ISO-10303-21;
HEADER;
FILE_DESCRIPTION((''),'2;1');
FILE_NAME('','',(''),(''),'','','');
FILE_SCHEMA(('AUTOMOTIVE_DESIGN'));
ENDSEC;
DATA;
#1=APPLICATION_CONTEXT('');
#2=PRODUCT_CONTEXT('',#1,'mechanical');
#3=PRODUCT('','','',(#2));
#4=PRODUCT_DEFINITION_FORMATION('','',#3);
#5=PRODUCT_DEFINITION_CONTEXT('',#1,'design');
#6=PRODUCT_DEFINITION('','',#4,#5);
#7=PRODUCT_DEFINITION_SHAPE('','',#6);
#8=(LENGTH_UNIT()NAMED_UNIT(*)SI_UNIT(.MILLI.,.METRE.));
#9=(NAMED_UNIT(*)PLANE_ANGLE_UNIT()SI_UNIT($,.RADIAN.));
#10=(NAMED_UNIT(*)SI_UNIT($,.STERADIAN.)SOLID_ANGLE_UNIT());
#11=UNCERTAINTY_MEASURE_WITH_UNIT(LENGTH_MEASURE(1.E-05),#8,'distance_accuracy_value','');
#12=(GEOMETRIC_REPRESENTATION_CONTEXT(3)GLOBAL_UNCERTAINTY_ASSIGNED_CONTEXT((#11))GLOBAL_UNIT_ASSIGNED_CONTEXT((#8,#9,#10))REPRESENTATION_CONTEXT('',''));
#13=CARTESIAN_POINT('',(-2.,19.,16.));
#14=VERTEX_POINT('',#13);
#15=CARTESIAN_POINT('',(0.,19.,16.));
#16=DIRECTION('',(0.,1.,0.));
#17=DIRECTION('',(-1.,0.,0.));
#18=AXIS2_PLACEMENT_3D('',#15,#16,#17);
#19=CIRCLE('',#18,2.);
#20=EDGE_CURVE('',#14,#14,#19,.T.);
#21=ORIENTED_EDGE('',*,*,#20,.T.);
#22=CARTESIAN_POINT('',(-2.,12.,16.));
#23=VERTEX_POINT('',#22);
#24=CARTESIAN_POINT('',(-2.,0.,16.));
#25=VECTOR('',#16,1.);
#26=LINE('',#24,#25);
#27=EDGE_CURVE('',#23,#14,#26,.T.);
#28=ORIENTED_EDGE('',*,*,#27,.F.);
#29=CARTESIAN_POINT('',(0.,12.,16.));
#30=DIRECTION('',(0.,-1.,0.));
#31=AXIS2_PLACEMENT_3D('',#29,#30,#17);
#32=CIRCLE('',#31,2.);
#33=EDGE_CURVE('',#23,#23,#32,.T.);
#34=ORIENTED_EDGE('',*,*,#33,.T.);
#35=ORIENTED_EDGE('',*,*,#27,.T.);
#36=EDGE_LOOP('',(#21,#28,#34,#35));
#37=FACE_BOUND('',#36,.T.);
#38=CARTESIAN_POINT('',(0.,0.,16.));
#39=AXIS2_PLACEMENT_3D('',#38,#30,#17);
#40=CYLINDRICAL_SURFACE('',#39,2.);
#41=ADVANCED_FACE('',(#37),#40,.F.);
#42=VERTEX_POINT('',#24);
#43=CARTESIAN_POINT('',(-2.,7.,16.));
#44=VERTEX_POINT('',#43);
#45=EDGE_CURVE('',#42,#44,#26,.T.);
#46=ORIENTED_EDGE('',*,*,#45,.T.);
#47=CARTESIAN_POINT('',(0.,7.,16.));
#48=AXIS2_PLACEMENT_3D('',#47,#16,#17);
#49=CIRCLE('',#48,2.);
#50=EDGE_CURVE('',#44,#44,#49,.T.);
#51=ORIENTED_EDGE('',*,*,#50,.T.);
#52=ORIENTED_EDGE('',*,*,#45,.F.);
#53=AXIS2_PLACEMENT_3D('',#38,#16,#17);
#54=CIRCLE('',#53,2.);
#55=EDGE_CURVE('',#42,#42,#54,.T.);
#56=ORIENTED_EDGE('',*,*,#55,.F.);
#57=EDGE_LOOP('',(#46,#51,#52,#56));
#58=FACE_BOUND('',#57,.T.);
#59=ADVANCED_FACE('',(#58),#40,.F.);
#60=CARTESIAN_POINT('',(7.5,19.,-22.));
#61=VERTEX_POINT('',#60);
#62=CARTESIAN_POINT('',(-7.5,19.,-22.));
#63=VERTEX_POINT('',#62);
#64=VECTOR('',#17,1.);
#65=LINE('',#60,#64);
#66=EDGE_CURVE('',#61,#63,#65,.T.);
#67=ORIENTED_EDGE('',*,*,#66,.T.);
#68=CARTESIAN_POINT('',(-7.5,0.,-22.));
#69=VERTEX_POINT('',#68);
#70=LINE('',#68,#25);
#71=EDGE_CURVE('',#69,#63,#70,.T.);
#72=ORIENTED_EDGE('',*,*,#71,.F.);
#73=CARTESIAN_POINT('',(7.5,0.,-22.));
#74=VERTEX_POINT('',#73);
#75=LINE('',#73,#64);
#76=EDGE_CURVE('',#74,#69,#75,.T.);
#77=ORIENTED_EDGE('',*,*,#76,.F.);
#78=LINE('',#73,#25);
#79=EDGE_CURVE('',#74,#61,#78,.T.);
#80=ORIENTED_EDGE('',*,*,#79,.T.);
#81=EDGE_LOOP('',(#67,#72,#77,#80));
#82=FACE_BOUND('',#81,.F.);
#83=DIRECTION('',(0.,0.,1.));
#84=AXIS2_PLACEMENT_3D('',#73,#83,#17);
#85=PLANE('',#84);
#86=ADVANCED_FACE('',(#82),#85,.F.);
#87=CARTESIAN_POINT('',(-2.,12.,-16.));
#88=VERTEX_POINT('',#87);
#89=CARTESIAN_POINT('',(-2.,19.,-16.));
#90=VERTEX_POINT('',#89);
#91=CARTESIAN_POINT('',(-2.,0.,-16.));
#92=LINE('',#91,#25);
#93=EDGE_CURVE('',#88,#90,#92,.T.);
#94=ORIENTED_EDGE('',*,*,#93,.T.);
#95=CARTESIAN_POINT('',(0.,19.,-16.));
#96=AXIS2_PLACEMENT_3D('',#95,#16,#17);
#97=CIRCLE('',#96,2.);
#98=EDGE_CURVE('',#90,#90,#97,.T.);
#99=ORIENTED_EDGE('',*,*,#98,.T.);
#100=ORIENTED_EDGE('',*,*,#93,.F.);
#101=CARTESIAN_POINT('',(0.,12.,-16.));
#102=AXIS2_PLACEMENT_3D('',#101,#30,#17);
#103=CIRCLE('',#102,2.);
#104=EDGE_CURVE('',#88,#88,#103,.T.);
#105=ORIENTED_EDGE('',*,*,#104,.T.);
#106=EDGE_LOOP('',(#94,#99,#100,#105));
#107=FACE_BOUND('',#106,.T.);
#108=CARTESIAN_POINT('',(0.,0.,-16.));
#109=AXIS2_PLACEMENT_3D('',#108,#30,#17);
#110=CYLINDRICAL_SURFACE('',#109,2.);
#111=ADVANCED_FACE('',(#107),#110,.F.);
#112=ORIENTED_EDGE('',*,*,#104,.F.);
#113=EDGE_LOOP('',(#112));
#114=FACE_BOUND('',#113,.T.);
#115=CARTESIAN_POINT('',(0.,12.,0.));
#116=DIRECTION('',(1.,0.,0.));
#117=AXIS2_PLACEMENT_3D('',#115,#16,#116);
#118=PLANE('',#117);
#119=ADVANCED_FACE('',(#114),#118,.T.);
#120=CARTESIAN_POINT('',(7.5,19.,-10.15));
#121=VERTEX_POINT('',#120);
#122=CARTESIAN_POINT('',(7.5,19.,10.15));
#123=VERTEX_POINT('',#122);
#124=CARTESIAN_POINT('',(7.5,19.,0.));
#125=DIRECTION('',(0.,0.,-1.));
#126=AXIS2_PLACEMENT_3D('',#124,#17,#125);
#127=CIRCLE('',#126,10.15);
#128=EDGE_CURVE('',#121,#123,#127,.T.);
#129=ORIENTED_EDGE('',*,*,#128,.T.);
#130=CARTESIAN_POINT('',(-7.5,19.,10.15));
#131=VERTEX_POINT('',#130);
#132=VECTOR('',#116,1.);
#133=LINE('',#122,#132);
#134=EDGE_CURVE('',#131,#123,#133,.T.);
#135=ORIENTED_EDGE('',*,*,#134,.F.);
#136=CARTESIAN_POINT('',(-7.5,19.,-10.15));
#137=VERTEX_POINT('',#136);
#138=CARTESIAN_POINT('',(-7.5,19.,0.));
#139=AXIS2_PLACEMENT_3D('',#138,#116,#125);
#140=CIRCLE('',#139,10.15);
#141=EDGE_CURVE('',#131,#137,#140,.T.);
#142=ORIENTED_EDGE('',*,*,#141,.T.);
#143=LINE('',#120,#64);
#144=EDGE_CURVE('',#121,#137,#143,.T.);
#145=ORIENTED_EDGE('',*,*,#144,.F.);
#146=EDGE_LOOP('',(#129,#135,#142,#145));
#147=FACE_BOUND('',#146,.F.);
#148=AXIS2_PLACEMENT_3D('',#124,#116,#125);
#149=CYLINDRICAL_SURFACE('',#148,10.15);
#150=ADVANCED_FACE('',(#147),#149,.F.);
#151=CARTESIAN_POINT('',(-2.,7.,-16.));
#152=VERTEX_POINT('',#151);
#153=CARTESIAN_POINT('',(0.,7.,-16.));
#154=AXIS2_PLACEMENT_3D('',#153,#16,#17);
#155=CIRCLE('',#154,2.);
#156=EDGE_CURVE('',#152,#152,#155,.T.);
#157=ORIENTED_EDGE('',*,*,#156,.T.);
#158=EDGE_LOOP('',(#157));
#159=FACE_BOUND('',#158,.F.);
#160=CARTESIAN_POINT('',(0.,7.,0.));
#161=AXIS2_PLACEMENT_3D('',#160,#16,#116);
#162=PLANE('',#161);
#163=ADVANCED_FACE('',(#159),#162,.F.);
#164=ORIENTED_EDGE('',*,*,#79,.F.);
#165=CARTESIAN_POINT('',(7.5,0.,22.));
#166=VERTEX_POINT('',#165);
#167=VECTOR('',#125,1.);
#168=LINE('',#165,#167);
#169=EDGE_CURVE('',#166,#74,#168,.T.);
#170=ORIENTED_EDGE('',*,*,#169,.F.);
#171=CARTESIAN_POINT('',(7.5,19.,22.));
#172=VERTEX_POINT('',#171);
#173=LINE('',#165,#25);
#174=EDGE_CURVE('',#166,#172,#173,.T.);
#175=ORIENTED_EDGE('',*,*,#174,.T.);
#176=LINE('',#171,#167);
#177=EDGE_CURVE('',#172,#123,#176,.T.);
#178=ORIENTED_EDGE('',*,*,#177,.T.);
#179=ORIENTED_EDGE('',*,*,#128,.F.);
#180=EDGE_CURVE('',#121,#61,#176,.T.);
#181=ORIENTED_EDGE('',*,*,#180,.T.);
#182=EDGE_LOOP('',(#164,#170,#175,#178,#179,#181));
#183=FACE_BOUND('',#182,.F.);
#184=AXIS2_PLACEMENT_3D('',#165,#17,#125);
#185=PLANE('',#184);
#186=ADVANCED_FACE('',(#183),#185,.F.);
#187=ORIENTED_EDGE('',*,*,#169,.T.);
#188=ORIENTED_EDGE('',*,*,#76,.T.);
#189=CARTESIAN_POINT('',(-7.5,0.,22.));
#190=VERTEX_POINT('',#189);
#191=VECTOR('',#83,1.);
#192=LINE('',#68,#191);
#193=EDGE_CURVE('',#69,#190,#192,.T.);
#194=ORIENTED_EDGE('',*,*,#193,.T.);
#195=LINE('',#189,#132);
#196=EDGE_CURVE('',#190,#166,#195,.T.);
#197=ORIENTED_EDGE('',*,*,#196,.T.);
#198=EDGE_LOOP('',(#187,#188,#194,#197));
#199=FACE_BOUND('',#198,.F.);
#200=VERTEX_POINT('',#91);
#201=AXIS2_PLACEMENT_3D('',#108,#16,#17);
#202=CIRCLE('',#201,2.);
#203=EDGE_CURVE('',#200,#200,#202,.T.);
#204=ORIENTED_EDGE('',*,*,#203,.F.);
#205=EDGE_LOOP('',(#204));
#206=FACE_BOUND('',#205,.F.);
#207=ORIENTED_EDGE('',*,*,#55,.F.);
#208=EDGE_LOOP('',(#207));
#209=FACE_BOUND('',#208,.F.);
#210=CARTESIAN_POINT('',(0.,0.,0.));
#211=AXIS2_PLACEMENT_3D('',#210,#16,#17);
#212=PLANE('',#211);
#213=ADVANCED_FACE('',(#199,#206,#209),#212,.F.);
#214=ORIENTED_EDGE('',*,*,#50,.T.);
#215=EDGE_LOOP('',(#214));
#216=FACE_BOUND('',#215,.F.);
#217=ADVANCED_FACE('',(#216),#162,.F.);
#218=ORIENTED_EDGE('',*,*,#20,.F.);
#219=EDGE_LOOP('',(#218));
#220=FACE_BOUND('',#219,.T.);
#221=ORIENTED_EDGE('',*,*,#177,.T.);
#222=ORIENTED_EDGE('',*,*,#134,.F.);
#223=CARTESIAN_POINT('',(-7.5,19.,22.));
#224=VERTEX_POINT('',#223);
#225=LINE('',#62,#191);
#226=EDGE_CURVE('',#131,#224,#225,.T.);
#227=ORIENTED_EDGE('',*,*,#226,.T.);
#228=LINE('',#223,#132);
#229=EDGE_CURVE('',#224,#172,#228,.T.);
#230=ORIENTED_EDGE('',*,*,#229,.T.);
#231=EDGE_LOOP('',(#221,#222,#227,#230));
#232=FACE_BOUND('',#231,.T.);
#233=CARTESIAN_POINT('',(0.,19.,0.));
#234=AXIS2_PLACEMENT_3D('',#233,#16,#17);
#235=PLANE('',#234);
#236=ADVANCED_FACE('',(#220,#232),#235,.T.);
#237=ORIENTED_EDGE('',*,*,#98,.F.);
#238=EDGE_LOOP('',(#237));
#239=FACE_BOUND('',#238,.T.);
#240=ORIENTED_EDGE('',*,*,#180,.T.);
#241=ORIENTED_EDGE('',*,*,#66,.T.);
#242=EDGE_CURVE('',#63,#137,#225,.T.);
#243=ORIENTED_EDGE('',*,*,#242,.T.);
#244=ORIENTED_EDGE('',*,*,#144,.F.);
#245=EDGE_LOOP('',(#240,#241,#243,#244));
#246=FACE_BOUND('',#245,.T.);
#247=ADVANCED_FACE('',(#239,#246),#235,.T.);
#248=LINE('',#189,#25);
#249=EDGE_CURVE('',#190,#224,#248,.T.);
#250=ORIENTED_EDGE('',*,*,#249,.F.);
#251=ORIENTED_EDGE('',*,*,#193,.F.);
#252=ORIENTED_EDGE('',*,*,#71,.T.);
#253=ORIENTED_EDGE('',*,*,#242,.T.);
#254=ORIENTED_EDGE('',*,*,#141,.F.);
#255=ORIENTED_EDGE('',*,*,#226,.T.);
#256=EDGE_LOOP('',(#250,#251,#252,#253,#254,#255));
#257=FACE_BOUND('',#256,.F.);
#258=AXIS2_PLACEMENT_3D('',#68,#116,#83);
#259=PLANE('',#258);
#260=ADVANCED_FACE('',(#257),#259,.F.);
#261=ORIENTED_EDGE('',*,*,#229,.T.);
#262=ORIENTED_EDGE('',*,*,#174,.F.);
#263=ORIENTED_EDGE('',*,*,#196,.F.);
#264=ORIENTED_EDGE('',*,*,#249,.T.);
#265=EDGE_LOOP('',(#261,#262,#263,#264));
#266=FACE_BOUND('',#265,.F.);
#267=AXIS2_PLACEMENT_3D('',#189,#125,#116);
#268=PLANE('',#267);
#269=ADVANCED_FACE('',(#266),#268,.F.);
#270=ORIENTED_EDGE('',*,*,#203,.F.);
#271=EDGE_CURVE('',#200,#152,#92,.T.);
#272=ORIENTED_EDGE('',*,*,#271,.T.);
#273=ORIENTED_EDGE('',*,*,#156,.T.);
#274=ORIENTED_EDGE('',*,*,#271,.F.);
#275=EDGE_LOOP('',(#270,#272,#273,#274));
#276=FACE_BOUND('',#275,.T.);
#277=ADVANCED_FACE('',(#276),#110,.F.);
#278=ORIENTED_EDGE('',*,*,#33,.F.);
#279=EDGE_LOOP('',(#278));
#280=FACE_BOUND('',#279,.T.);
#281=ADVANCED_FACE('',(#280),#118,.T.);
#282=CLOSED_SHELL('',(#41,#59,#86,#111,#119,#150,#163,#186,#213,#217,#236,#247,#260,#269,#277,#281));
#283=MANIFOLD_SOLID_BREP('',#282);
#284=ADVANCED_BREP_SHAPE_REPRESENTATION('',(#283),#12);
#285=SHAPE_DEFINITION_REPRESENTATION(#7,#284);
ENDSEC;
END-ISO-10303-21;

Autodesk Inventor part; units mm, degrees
ref_plane "YZ Plane" through (0, 0, 0) normal (1, 0, 0) x (0, 1, 0)
ref_plane "XZ Plane" through (0, 0, 0) normal (0, 1, 0) x (-1, 0, 0)
ref_plane "XY Plane" through (0, 0, 0) normal (0, 0, 1) x (1, 0, 0)
sketch "Эскиз1" plane through (0, 0, 0) normal (0, 1, 0) x (-1, 0, 0)
  line L0 (7.5, 22) -> (-7.5, 22)
  line L1 (-7.5, 22) -> (-7.5, -22)
  line L2 (-7.5, -22) -> (7.5, -22)
  line L3 (7.5, -22) -> (7.5, 22)
  line L4 (-7.5, 22) -> (7.5, -22) construction
  line L5 (0, 22) -> (0, -22) construction
  circle A0 centre (0, 16) radius 2
  line L6 (7.5, 0) -> (-7.5, 0) construction
  circle A1 centre (0, -16) radius 2
  point P0 (0, 0)
  point P1 (0, 0)
  dimension "d0" = 15
  dimension "d1" = 44
  dimension "d2" = 16
  dimension "d3" = 4
extrude "Выдавливание1" add sketch "Эскиз1" along normal blind 19
sketch "Эскиз2" plane through (7.5, 0, 22) normal (1, 0, 0) x (0, 0, -1)
  line L0 (0, 19) -> (44, 19) projected
  circle A0 centre (22, 19) radius 10.15
  point P0 (22, 0)
  dimension "d6" = 20.3
extrude "Выдавливание2" cut sketch "Эскиз2" against normal through all
ref_plane "РабПлоскость1" through (0, 12, 0) normal (0, 1, 0) x (1, 0, 0)
sketch "Эскиз3" plane through (0, 12, 0) normal (0, 1, 0) x (1, 0, 0)
  circle A0 centre (0, 16) radius 2 projected
  circle A1 centre (0, -16) radius 2 projected
  point P0 (0, 0)
extrude "Выдавливание3" add sketch "Эскиз3" against normal blind 5
properties part number "motor_mount_UP"
